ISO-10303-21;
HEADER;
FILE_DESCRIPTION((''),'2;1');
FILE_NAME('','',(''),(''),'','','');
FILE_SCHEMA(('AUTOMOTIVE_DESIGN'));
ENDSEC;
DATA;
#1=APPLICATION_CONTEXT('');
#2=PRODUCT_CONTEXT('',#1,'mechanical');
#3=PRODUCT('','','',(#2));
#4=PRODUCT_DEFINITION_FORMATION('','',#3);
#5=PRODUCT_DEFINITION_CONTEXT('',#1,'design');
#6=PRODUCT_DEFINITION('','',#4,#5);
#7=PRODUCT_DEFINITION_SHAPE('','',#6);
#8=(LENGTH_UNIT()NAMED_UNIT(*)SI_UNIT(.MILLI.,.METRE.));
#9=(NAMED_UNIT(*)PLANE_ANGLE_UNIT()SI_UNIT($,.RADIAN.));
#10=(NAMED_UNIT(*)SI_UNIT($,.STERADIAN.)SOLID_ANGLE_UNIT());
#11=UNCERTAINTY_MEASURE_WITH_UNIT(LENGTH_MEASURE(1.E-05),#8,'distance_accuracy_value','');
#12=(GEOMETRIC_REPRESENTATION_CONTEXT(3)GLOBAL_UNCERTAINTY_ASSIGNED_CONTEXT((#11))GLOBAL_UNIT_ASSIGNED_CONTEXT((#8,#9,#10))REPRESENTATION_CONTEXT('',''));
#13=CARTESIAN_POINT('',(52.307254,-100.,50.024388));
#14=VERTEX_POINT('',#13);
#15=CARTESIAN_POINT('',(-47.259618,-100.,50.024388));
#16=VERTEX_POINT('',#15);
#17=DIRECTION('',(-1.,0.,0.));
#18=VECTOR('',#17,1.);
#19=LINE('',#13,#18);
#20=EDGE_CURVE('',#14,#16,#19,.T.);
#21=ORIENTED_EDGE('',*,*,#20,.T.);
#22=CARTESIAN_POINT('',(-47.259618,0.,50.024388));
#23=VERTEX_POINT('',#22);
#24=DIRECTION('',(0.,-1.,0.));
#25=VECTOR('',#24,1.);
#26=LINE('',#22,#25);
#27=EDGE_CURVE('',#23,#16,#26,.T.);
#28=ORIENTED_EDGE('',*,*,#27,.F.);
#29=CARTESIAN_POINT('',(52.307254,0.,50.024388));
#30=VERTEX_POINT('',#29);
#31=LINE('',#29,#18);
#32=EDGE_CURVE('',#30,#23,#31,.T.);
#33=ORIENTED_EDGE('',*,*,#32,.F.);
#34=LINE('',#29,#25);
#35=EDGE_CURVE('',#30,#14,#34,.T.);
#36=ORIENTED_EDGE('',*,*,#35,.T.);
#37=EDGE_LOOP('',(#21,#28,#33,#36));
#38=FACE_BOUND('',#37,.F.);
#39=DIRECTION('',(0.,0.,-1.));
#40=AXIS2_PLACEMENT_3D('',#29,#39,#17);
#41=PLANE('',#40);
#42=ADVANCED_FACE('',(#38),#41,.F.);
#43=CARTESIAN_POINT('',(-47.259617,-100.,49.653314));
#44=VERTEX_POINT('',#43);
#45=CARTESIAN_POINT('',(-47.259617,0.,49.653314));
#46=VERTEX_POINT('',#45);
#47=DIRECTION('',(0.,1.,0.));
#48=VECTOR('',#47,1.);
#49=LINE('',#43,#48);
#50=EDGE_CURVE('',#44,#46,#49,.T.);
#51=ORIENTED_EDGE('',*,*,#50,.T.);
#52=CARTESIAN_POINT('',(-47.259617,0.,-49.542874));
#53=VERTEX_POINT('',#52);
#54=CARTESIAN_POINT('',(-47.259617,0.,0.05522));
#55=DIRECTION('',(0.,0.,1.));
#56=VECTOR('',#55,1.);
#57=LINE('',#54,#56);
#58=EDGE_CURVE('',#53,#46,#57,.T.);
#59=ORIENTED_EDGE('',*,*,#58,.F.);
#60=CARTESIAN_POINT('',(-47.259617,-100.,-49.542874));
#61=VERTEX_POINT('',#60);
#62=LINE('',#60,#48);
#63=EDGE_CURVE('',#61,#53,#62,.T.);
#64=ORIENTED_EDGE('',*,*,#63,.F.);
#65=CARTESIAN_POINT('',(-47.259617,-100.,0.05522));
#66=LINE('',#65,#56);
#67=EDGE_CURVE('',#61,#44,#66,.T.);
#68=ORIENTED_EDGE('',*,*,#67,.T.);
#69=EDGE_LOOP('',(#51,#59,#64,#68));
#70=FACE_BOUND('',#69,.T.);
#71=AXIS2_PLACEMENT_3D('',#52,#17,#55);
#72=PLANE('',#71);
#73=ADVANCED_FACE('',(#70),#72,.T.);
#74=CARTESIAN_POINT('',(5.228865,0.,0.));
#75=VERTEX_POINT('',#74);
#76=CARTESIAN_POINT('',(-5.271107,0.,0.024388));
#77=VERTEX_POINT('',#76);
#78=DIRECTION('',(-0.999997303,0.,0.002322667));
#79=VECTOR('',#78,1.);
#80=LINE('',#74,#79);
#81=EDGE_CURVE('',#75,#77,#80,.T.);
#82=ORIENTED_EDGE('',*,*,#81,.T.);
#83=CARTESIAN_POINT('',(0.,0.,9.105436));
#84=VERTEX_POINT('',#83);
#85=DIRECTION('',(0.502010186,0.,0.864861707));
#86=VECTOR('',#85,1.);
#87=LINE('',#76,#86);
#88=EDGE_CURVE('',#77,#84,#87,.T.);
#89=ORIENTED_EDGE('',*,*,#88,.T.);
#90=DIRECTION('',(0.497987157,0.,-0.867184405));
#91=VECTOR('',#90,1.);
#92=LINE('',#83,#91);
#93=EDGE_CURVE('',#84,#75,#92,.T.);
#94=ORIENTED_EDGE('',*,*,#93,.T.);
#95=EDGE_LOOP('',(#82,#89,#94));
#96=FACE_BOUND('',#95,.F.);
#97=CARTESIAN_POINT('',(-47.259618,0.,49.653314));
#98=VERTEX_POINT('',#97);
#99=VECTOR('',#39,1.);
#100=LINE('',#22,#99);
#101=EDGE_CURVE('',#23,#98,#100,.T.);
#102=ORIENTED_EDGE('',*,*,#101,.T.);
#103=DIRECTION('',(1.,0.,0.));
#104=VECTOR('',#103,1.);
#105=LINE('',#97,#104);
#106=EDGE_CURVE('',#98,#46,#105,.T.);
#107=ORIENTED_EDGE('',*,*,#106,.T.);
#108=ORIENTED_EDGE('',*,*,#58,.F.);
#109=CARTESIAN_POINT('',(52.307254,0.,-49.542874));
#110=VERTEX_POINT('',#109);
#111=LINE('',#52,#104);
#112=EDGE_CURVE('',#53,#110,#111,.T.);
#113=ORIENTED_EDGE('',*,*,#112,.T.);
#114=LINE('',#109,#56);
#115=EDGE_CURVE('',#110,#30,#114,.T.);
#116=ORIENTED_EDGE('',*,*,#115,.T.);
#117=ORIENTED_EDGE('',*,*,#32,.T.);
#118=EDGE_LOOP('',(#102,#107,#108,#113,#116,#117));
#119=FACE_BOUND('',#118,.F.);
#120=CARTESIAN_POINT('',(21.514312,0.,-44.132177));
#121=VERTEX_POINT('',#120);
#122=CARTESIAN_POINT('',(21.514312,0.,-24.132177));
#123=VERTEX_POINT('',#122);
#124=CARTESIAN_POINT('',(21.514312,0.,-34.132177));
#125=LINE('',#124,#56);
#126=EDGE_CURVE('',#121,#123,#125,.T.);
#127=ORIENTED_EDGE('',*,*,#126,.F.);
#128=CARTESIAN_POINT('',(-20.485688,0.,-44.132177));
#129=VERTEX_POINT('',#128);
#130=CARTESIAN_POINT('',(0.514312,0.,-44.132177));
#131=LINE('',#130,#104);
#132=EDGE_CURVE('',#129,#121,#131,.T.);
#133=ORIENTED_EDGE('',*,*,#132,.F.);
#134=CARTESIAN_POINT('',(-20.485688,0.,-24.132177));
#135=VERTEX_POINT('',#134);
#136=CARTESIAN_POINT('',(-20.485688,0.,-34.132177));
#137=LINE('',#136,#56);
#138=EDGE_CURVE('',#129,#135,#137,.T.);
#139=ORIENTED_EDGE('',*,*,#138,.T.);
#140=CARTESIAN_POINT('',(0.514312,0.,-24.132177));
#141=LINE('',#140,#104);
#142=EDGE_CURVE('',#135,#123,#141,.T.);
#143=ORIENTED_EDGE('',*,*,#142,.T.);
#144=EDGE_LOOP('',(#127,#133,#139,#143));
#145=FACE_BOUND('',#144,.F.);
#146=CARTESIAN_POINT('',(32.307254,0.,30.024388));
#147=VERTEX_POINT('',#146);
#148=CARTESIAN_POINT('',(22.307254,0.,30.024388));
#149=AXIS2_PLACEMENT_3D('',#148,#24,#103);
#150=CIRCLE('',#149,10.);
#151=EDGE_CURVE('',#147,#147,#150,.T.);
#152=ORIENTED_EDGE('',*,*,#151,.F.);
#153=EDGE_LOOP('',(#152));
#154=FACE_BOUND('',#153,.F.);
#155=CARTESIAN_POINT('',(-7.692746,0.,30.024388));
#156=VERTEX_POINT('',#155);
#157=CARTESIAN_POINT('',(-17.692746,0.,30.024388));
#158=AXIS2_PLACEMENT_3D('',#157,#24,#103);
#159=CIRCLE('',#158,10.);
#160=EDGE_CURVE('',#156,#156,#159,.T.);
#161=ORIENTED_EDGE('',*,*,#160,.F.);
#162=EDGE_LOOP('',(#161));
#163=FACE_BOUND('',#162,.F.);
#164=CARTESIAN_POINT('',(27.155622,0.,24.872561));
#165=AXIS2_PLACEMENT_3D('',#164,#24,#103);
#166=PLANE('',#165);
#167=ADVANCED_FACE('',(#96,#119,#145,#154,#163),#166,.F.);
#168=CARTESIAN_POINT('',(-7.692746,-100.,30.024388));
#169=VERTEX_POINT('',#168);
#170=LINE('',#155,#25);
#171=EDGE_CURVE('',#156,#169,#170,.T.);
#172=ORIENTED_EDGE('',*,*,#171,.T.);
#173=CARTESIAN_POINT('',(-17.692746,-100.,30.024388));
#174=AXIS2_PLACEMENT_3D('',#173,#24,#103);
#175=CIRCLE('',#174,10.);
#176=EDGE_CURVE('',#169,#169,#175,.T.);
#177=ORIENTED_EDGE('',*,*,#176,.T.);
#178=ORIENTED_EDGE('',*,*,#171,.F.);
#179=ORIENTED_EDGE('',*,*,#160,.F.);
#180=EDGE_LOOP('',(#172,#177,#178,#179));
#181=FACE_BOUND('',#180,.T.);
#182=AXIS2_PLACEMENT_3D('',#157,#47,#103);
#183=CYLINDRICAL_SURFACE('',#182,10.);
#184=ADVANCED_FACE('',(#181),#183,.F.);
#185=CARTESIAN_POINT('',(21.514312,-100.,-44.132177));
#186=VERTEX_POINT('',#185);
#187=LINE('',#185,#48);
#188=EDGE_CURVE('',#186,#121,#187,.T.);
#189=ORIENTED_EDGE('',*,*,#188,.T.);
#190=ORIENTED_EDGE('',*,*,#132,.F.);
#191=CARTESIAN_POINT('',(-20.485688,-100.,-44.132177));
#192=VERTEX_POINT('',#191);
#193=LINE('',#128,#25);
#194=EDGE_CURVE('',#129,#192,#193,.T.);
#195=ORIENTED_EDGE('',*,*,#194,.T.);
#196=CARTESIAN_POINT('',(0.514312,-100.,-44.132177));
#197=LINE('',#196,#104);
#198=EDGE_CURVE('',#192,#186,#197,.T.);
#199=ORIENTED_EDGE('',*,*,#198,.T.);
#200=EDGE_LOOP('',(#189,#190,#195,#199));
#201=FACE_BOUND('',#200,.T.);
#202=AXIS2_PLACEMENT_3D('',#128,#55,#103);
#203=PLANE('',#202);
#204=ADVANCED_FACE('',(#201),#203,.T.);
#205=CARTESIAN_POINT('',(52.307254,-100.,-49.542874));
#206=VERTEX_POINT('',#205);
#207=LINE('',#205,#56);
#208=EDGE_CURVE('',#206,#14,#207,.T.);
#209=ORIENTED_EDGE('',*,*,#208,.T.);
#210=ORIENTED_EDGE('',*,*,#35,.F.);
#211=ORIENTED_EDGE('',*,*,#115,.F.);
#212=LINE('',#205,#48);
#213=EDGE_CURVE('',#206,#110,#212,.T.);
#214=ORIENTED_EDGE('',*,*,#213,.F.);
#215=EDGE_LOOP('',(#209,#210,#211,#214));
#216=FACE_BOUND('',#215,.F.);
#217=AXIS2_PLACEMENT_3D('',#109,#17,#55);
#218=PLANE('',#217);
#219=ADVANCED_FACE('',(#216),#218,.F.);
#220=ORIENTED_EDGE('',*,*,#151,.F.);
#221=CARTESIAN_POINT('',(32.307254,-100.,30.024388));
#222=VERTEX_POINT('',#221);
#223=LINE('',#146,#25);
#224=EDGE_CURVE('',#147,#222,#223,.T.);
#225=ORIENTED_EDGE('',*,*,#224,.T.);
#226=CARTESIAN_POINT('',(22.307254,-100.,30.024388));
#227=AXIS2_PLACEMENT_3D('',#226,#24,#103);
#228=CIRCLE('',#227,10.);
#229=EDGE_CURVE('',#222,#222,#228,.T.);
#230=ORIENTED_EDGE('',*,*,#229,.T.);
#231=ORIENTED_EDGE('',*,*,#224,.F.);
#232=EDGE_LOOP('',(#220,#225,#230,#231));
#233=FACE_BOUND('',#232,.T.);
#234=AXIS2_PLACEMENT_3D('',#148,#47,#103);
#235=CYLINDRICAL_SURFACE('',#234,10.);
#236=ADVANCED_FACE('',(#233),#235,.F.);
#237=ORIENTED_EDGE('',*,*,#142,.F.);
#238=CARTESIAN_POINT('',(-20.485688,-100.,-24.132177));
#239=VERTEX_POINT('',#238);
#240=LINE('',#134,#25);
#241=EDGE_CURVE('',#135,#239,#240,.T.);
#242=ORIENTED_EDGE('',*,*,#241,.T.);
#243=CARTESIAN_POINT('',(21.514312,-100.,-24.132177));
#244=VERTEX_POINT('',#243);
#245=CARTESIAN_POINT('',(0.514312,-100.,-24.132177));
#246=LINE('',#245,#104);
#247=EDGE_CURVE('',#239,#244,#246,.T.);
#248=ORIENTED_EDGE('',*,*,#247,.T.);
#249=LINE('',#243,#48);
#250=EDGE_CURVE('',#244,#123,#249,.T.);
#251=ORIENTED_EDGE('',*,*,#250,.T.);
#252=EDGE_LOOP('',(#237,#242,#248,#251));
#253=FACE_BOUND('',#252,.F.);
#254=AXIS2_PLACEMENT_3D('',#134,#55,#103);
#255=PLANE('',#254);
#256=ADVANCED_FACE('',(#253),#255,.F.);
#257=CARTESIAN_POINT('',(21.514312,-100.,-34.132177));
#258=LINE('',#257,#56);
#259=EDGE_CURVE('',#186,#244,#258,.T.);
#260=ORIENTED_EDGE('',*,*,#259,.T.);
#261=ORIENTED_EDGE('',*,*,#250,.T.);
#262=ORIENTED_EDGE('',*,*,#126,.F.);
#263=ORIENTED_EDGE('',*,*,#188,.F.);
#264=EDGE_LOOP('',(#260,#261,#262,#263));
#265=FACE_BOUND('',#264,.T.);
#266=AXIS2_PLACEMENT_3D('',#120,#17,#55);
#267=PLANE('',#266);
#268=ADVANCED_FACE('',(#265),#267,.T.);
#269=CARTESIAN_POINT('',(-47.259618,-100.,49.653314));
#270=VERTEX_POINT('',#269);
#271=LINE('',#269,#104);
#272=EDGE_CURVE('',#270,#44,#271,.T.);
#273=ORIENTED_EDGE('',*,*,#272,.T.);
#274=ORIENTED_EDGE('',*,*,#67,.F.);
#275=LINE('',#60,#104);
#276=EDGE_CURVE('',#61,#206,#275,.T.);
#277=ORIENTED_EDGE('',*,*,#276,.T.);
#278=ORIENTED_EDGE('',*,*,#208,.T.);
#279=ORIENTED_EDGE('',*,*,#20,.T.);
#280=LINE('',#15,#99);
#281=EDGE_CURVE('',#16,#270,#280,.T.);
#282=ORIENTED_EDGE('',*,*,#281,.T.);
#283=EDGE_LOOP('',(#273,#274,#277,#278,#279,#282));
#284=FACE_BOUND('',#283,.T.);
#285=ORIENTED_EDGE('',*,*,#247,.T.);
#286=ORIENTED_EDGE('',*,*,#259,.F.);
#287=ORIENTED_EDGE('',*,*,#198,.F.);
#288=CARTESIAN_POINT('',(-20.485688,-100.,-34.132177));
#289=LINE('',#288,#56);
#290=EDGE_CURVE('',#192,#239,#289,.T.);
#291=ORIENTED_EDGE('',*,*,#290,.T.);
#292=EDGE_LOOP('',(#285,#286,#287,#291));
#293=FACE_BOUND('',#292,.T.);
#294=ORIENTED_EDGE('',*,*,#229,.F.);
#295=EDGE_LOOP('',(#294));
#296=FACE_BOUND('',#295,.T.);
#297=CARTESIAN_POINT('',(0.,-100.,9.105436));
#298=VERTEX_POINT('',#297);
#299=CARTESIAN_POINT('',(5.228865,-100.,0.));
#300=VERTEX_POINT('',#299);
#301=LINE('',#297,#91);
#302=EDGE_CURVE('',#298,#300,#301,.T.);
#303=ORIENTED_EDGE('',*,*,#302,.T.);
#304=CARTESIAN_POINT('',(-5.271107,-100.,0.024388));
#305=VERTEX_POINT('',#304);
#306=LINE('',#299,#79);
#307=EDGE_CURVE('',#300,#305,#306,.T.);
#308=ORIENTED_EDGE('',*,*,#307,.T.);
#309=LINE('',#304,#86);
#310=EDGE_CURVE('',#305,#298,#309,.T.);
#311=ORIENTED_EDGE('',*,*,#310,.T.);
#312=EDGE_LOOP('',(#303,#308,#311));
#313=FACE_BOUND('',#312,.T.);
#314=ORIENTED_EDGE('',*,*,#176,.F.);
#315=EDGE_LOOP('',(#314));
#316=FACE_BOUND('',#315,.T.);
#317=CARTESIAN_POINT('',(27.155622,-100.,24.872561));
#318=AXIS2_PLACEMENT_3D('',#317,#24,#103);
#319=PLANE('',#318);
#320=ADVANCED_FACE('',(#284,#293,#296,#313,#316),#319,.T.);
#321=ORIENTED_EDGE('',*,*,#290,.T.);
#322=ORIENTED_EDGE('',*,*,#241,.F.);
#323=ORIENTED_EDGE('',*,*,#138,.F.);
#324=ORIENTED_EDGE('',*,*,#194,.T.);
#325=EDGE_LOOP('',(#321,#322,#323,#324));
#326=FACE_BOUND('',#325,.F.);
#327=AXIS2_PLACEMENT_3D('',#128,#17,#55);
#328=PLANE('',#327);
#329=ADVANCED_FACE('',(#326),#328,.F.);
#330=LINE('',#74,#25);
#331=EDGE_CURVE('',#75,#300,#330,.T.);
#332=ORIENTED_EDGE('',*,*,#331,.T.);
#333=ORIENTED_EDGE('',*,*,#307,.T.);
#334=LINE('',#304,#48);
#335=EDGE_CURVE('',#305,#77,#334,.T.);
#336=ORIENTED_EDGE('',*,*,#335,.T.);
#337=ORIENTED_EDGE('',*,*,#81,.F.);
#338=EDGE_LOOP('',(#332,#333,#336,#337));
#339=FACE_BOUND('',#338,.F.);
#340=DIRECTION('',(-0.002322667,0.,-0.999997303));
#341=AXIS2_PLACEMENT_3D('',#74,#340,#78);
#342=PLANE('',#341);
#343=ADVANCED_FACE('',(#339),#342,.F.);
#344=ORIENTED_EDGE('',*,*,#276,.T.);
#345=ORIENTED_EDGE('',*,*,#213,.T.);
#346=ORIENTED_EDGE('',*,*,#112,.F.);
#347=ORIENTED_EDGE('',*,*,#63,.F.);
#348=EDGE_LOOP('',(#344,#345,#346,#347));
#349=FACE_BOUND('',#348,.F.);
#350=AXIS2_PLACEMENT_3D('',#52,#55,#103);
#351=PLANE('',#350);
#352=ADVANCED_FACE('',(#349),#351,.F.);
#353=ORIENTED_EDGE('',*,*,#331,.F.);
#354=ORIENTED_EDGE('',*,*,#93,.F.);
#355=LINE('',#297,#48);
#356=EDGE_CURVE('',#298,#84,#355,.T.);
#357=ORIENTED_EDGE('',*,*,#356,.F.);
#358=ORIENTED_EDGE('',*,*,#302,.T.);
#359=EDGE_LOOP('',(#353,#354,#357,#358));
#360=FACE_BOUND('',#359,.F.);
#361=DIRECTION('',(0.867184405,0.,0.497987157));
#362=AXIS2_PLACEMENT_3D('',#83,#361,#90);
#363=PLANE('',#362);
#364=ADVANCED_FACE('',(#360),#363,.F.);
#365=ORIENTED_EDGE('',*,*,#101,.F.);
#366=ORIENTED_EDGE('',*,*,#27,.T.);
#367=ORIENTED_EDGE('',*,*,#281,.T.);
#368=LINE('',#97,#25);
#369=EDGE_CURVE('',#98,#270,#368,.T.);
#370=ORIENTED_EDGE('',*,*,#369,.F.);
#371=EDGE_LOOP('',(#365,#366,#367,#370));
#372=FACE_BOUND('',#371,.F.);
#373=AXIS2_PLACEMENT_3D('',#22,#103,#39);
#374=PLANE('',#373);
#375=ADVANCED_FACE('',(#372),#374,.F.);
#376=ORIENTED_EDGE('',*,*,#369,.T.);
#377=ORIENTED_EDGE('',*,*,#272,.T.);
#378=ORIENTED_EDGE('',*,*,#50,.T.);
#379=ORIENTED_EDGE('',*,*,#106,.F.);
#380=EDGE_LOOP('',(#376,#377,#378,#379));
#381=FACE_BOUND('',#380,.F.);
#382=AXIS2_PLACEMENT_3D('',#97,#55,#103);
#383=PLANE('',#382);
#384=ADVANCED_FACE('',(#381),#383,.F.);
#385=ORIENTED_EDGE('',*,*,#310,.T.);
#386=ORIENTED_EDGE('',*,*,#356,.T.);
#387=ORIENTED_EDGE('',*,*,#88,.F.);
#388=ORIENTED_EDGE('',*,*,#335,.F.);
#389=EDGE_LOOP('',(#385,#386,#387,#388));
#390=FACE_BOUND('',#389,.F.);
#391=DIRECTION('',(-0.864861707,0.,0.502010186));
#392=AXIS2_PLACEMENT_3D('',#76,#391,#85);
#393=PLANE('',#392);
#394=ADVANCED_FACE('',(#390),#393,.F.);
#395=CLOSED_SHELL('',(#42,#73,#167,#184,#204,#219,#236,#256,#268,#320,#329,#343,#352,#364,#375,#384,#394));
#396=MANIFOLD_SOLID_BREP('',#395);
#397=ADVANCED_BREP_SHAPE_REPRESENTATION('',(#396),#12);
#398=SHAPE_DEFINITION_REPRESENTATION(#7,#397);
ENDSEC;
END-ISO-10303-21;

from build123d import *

# Parameters (mm, degrees)
F0_W     = 98.895595
F0_H     = 99.196188
F0_W_2   = 42
F0_H_2   = 20
F0_R     = 10
F1_DEPTH = 100
F3_DEPTH = 25


with BuildPart() as f1:
    # F0 (on Front) → F1 (new body)
    with BuildSketch(Plane.XZ):
        Polygon((52.307254, -49.542874), (52.307254, 50.024388), (-47.259618, 50.024388), (-47.259618, 49.653314), (51.635977, 49.653314), (51.635977, -49.542874), align=None)
        with Locations((2.18818, 0.05522)):
            Rectangle(F0_W, F0_H)
        with Locations((0.514312, -34.132177)):
            Rectangle(F0_W_2, F0_H_2, mode=Mode.SUBTRACT)
        Polygon((5.228865, 0), (-5.271107, 0.024388), (0, 9.105436), align=None, mode=Mode.SUBTRACT)
        with Locations((-17.692746, 30.024388)):
            Circle(F0_R, mode=Mode.SUBTRACT)
        with Locations((22.307254, 30.024388)):
            Circle(F0_R, mode=Mode.SUBTRACT)
    extrude(amount=F1_DEPTH)

    # F0 (on Front) → F3 (join)
    with BuildSketch(Plane.XZ):
        Polygon((52.307254, -49.542874), (52.307254, 50.024388), (-47.259618, 50.024388), (-47.259618, 49.653314), (51.635977, 49.653314), (51.635977, -49.542874), align=None)
        with Locations((2.18818, 0.05522)):
            Rectangle(F0_W, F0_H)
        with Locations((0.514312, -34.132177)):
            Rectangle(F0_W_2, F0_H_2, mode=Mode.SUBTRACT)
        Polygon((5.228865, 0), (-5.271107, 0.024388), (0, 9.105436), align=None, mode=Mode.SUBTRACT)
        with Locations((-17.692746, 30.024388)):
            Circle(F0_R, mode=Mode.SUBTRACT)
        with Locations((22.307254, 30.024388)):
            Circle(F0_R, mode=Mode.SUBTRACT)
    extrude(amount=F3_DEPTH)


solid = f1.part
